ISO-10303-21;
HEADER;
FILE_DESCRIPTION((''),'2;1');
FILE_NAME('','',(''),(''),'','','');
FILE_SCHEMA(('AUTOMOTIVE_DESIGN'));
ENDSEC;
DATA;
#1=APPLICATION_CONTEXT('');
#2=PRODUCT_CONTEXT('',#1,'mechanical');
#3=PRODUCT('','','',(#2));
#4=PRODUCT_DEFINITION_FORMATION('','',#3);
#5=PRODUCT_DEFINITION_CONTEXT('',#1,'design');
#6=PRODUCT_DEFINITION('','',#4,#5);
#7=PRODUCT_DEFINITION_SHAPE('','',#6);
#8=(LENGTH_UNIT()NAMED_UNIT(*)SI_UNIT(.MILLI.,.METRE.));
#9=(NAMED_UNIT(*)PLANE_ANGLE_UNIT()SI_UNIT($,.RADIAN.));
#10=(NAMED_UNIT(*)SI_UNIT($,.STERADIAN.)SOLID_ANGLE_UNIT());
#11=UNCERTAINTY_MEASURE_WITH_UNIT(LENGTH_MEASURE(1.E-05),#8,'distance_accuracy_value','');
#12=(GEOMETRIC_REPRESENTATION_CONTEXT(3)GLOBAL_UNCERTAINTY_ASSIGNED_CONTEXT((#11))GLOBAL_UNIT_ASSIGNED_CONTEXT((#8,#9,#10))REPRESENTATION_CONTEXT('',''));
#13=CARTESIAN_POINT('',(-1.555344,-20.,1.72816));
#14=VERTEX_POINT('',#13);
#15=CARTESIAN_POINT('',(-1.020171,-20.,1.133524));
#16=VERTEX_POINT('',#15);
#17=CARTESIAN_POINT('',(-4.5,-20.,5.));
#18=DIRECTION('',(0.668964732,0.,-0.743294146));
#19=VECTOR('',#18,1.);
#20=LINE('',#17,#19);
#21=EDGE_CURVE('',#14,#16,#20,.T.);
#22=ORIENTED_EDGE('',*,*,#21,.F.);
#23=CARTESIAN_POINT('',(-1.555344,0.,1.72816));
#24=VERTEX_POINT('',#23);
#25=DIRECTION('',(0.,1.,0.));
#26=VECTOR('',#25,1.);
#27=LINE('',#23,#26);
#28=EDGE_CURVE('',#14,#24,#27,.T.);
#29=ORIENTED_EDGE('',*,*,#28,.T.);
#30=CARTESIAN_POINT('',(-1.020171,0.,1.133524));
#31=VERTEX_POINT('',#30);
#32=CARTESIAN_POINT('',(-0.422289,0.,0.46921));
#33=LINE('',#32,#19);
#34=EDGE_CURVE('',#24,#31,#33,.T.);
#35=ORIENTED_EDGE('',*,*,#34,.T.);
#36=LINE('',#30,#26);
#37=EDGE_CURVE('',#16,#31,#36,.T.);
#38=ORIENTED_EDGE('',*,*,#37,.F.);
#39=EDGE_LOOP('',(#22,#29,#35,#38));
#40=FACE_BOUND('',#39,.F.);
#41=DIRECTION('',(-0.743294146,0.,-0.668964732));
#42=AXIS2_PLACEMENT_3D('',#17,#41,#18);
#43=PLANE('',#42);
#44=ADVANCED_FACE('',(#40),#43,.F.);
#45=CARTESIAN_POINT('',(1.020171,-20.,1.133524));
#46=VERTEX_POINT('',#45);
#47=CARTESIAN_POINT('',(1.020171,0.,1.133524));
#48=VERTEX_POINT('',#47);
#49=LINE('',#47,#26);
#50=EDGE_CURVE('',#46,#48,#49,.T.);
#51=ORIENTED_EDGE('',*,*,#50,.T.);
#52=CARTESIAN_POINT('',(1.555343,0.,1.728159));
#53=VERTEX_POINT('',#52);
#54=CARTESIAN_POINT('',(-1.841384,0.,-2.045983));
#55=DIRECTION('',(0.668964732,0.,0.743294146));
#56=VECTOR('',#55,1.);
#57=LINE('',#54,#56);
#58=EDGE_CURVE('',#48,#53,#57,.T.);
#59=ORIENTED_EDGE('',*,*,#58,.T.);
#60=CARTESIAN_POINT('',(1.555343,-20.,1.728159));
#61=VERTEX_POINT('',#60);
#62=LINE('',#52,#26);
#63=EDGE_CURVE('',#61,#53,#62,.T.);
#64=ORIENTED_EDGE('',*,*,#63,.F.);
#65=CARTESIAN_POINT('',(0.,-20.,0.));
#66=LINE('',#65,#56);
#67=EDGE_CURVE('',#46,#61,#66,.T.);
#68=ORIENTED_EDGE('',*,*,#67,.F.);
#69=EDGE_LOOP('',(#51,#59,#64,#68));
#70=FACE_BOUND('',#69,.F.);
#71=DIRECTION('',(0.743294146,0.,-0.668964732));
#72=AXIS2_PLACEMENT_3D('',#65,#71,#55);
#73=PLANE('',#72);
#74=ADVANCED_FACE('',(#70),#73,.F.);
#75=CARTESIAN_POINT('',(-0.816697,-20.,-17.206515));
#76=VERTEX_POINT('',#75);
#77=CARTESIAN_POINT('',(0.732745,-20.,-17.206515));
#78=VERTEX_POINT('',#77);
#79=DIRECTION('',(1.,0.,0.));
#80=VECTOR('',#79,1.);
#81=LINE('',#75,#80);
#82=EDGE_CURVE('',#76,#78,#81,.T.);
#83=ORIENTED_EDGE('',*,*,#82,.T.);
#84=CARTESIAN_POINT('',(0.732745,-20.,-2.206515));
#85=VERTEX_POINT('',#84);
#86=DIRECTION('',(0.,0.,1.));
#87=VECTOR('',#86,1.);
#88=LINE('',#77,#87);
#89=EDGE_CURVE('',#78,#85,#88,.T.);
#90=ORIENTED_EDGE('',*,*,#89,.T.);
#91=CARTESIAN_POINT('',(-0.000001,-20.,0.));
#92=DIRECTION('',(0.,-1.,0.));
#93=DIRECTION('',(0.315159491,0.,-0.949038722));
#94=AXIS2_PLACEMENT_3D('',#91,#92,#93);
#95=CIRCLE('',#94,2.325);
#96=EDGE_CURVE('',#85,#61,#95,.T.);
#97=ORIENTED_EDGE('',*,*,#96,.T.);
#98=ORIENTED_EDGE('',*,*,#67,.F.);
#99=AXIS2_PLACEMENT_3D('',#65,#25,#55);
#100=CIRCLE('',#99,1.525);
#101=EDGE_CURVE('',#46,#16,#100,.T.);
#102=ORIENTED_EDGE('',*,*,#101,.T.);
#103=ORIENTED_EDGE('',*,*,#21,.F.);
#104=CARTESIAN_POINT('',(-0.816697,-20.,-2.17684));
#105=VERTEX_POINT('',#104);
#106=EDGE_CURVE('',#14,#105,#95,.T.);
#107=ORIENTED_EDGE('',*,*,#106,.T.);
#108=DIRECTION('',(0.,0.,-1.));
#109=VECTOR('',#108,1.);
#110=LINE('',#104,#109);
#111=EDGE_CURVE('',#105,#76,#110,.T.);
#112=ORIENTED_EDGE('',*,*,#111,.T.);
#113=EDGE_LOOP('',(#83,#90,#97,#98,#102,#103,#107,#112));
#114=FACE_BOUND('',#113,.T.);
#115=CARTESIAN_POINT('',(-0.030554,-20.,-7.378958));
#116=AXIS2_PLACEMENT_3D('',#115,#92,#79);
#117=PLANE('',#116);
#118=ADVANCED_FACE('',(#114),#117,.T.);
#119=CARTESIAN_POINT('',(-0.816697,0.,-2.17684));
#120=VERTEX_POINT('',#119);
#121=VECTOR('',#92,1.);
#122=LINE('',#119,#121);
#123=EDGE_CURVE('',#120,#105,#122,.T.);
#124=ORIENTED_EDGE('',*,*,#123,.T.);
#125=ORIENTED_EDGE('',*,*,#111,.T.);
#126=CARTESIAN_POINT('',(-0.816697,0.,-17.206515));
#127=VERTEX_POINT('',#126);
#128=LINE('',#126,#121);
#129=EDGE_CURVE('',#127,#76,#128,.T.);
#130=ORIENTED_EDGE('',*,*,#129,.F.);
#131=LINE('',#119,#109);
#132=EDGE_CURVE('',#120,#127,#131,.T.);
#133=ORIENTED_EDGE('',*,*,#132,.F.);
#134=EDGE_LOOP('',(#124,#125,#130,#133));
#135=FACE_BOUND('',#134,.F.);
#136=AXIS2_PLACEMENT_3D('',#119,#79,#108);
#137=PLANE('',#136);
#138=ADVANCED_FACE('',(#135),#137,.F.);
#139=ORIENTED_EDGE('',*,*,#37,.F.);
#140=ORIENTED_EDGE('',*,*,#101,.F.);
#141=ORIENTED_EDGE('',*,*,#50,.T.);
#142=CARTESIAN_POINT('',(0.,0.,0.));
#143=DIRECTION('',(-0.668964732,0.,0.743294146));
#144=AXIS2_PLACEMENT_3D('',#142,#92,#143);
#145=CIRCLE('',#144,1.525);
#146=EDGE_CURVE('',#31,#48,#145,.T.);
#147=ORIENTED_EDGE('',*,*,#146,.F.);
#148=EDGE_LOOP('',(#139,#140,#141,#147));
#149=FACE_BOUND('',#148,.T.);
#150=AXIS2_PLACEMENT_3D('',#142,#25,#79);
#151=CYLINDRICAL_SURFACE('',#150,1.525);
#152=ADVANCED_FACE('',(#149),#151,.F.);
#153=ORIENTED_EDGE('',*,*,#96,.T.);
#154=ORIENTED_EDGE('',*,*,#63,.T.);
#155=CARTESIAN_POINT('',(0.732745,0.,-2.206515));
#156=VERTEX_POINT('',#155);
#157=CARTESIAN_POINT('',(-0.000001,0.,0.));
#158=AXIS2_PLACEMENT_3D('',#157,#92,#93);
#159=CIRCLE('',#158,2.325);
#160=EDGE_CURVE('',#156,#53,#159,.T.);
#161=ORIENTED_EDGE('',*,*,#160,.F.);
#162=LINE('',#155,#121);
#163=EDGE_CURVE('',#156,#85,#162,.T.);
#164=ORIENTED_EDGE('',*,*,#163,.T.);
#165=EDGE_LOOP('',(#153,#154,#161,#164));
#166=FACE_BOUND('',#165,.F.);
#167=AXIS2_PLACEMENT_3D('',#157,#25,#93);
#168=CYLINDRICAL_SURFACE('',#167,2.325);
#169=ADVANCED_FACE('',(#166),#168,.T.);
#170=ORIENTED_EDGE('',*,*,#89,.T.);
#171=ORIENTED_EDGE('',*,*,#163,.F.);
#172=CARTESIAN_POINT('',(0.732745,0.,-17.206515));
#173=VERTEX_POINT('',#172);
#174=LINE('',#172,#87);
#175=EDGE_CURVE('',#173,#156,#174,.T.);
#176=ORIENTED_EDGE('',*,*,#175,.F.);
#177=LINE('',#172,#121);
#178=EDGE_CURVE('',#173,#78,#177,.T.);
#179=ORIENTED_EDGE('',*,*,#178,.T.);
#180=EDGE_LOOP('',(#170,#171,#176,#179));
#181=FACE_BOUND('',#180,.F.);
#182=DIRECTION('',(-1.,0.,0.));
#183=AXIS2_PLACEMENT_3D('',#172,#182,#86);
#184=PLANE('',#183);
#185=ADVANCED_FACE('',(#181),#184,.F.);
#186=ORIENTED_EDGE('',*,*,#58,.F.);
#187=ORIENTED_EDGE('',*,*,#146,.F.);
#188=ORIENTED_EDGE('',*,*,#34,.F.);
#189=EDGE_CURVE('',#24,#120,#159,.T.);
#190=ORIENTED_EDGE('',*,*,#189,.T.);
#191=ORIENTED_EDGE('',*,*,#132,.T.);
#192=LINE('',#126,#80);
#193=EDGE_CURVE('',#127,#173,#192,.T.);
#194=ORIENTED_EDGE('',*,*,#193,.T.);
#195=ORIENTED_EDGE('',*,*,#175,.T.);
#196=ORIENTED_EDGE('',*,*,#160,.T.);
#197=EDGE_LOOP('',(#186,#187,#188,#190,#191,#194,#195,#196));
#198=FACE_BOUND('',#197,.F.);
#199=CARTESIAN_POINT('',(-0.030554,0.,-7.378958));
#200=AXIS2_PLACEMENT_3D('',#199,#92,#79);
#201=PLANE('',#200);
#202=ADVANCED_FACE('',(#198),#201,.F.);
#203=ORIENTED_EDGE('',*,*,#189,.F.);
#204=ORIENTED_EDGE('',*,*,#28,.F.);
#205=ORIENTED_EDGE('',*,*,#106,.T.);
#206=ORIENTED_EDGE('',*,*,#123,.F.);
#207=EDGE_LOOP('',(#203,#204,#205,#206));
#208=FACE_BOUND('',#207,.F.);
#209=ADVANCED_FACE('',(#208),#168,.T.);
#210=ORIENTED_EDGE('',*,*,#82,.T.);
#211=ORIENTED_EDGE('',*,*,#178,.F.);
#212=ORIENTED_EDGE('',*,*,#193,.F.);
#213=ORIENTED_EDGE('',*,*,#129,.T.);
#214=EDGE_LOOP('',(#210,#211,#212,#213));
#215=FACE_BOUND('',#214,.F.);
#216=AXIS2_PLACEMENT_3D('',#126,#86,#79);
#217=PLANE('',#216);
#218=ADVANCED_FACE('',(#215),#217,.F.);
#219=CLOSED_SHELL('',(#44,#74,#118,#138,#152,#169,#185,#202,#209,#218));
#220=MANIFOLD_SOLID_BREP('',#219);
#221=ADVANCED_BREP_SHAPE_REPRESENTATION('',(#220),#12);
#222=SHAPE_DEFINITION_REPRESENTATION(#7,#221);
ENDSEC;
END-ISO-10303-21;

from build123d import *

# Parameters (mm, degrees)
F0_R     = 1.525
F1_DEPTH = 20
F3_DEPTH = 25


with BuildPart() as f1:
    # F0 (on Front) → F1 (new body)
    with BuildSketch(Plane.XZ):
        with BuildLine():
            Line((0.732745, -17.206515), (0.732745, -2.206515))
            ThreePointArc((0.732745, -2.206515), (0.044522, 2.324574), (-0.816697, -2.17684))
            Line((-0.816697, -2.17684), (-0.816697, -17.206515))
            Line((-0.816697, -17.206515), (0.732745, -17.206515))
        make_face()
        Circle(F0_R, mode=Mode.SUBTRACT)
    extrude(amount=F1_DEPTH)

    # F2 (on face) → F3 (cut)
    with BuildSketch(Plane.XZ.offset(20)):
        Polygon((0, 5.453305), (-4.5, 5), (0, 0), (4.5, 5), align=None)
    extrude(amount=-F3_DEPTH, mode=Mode.SUBTRACT)


solid = f1.part
